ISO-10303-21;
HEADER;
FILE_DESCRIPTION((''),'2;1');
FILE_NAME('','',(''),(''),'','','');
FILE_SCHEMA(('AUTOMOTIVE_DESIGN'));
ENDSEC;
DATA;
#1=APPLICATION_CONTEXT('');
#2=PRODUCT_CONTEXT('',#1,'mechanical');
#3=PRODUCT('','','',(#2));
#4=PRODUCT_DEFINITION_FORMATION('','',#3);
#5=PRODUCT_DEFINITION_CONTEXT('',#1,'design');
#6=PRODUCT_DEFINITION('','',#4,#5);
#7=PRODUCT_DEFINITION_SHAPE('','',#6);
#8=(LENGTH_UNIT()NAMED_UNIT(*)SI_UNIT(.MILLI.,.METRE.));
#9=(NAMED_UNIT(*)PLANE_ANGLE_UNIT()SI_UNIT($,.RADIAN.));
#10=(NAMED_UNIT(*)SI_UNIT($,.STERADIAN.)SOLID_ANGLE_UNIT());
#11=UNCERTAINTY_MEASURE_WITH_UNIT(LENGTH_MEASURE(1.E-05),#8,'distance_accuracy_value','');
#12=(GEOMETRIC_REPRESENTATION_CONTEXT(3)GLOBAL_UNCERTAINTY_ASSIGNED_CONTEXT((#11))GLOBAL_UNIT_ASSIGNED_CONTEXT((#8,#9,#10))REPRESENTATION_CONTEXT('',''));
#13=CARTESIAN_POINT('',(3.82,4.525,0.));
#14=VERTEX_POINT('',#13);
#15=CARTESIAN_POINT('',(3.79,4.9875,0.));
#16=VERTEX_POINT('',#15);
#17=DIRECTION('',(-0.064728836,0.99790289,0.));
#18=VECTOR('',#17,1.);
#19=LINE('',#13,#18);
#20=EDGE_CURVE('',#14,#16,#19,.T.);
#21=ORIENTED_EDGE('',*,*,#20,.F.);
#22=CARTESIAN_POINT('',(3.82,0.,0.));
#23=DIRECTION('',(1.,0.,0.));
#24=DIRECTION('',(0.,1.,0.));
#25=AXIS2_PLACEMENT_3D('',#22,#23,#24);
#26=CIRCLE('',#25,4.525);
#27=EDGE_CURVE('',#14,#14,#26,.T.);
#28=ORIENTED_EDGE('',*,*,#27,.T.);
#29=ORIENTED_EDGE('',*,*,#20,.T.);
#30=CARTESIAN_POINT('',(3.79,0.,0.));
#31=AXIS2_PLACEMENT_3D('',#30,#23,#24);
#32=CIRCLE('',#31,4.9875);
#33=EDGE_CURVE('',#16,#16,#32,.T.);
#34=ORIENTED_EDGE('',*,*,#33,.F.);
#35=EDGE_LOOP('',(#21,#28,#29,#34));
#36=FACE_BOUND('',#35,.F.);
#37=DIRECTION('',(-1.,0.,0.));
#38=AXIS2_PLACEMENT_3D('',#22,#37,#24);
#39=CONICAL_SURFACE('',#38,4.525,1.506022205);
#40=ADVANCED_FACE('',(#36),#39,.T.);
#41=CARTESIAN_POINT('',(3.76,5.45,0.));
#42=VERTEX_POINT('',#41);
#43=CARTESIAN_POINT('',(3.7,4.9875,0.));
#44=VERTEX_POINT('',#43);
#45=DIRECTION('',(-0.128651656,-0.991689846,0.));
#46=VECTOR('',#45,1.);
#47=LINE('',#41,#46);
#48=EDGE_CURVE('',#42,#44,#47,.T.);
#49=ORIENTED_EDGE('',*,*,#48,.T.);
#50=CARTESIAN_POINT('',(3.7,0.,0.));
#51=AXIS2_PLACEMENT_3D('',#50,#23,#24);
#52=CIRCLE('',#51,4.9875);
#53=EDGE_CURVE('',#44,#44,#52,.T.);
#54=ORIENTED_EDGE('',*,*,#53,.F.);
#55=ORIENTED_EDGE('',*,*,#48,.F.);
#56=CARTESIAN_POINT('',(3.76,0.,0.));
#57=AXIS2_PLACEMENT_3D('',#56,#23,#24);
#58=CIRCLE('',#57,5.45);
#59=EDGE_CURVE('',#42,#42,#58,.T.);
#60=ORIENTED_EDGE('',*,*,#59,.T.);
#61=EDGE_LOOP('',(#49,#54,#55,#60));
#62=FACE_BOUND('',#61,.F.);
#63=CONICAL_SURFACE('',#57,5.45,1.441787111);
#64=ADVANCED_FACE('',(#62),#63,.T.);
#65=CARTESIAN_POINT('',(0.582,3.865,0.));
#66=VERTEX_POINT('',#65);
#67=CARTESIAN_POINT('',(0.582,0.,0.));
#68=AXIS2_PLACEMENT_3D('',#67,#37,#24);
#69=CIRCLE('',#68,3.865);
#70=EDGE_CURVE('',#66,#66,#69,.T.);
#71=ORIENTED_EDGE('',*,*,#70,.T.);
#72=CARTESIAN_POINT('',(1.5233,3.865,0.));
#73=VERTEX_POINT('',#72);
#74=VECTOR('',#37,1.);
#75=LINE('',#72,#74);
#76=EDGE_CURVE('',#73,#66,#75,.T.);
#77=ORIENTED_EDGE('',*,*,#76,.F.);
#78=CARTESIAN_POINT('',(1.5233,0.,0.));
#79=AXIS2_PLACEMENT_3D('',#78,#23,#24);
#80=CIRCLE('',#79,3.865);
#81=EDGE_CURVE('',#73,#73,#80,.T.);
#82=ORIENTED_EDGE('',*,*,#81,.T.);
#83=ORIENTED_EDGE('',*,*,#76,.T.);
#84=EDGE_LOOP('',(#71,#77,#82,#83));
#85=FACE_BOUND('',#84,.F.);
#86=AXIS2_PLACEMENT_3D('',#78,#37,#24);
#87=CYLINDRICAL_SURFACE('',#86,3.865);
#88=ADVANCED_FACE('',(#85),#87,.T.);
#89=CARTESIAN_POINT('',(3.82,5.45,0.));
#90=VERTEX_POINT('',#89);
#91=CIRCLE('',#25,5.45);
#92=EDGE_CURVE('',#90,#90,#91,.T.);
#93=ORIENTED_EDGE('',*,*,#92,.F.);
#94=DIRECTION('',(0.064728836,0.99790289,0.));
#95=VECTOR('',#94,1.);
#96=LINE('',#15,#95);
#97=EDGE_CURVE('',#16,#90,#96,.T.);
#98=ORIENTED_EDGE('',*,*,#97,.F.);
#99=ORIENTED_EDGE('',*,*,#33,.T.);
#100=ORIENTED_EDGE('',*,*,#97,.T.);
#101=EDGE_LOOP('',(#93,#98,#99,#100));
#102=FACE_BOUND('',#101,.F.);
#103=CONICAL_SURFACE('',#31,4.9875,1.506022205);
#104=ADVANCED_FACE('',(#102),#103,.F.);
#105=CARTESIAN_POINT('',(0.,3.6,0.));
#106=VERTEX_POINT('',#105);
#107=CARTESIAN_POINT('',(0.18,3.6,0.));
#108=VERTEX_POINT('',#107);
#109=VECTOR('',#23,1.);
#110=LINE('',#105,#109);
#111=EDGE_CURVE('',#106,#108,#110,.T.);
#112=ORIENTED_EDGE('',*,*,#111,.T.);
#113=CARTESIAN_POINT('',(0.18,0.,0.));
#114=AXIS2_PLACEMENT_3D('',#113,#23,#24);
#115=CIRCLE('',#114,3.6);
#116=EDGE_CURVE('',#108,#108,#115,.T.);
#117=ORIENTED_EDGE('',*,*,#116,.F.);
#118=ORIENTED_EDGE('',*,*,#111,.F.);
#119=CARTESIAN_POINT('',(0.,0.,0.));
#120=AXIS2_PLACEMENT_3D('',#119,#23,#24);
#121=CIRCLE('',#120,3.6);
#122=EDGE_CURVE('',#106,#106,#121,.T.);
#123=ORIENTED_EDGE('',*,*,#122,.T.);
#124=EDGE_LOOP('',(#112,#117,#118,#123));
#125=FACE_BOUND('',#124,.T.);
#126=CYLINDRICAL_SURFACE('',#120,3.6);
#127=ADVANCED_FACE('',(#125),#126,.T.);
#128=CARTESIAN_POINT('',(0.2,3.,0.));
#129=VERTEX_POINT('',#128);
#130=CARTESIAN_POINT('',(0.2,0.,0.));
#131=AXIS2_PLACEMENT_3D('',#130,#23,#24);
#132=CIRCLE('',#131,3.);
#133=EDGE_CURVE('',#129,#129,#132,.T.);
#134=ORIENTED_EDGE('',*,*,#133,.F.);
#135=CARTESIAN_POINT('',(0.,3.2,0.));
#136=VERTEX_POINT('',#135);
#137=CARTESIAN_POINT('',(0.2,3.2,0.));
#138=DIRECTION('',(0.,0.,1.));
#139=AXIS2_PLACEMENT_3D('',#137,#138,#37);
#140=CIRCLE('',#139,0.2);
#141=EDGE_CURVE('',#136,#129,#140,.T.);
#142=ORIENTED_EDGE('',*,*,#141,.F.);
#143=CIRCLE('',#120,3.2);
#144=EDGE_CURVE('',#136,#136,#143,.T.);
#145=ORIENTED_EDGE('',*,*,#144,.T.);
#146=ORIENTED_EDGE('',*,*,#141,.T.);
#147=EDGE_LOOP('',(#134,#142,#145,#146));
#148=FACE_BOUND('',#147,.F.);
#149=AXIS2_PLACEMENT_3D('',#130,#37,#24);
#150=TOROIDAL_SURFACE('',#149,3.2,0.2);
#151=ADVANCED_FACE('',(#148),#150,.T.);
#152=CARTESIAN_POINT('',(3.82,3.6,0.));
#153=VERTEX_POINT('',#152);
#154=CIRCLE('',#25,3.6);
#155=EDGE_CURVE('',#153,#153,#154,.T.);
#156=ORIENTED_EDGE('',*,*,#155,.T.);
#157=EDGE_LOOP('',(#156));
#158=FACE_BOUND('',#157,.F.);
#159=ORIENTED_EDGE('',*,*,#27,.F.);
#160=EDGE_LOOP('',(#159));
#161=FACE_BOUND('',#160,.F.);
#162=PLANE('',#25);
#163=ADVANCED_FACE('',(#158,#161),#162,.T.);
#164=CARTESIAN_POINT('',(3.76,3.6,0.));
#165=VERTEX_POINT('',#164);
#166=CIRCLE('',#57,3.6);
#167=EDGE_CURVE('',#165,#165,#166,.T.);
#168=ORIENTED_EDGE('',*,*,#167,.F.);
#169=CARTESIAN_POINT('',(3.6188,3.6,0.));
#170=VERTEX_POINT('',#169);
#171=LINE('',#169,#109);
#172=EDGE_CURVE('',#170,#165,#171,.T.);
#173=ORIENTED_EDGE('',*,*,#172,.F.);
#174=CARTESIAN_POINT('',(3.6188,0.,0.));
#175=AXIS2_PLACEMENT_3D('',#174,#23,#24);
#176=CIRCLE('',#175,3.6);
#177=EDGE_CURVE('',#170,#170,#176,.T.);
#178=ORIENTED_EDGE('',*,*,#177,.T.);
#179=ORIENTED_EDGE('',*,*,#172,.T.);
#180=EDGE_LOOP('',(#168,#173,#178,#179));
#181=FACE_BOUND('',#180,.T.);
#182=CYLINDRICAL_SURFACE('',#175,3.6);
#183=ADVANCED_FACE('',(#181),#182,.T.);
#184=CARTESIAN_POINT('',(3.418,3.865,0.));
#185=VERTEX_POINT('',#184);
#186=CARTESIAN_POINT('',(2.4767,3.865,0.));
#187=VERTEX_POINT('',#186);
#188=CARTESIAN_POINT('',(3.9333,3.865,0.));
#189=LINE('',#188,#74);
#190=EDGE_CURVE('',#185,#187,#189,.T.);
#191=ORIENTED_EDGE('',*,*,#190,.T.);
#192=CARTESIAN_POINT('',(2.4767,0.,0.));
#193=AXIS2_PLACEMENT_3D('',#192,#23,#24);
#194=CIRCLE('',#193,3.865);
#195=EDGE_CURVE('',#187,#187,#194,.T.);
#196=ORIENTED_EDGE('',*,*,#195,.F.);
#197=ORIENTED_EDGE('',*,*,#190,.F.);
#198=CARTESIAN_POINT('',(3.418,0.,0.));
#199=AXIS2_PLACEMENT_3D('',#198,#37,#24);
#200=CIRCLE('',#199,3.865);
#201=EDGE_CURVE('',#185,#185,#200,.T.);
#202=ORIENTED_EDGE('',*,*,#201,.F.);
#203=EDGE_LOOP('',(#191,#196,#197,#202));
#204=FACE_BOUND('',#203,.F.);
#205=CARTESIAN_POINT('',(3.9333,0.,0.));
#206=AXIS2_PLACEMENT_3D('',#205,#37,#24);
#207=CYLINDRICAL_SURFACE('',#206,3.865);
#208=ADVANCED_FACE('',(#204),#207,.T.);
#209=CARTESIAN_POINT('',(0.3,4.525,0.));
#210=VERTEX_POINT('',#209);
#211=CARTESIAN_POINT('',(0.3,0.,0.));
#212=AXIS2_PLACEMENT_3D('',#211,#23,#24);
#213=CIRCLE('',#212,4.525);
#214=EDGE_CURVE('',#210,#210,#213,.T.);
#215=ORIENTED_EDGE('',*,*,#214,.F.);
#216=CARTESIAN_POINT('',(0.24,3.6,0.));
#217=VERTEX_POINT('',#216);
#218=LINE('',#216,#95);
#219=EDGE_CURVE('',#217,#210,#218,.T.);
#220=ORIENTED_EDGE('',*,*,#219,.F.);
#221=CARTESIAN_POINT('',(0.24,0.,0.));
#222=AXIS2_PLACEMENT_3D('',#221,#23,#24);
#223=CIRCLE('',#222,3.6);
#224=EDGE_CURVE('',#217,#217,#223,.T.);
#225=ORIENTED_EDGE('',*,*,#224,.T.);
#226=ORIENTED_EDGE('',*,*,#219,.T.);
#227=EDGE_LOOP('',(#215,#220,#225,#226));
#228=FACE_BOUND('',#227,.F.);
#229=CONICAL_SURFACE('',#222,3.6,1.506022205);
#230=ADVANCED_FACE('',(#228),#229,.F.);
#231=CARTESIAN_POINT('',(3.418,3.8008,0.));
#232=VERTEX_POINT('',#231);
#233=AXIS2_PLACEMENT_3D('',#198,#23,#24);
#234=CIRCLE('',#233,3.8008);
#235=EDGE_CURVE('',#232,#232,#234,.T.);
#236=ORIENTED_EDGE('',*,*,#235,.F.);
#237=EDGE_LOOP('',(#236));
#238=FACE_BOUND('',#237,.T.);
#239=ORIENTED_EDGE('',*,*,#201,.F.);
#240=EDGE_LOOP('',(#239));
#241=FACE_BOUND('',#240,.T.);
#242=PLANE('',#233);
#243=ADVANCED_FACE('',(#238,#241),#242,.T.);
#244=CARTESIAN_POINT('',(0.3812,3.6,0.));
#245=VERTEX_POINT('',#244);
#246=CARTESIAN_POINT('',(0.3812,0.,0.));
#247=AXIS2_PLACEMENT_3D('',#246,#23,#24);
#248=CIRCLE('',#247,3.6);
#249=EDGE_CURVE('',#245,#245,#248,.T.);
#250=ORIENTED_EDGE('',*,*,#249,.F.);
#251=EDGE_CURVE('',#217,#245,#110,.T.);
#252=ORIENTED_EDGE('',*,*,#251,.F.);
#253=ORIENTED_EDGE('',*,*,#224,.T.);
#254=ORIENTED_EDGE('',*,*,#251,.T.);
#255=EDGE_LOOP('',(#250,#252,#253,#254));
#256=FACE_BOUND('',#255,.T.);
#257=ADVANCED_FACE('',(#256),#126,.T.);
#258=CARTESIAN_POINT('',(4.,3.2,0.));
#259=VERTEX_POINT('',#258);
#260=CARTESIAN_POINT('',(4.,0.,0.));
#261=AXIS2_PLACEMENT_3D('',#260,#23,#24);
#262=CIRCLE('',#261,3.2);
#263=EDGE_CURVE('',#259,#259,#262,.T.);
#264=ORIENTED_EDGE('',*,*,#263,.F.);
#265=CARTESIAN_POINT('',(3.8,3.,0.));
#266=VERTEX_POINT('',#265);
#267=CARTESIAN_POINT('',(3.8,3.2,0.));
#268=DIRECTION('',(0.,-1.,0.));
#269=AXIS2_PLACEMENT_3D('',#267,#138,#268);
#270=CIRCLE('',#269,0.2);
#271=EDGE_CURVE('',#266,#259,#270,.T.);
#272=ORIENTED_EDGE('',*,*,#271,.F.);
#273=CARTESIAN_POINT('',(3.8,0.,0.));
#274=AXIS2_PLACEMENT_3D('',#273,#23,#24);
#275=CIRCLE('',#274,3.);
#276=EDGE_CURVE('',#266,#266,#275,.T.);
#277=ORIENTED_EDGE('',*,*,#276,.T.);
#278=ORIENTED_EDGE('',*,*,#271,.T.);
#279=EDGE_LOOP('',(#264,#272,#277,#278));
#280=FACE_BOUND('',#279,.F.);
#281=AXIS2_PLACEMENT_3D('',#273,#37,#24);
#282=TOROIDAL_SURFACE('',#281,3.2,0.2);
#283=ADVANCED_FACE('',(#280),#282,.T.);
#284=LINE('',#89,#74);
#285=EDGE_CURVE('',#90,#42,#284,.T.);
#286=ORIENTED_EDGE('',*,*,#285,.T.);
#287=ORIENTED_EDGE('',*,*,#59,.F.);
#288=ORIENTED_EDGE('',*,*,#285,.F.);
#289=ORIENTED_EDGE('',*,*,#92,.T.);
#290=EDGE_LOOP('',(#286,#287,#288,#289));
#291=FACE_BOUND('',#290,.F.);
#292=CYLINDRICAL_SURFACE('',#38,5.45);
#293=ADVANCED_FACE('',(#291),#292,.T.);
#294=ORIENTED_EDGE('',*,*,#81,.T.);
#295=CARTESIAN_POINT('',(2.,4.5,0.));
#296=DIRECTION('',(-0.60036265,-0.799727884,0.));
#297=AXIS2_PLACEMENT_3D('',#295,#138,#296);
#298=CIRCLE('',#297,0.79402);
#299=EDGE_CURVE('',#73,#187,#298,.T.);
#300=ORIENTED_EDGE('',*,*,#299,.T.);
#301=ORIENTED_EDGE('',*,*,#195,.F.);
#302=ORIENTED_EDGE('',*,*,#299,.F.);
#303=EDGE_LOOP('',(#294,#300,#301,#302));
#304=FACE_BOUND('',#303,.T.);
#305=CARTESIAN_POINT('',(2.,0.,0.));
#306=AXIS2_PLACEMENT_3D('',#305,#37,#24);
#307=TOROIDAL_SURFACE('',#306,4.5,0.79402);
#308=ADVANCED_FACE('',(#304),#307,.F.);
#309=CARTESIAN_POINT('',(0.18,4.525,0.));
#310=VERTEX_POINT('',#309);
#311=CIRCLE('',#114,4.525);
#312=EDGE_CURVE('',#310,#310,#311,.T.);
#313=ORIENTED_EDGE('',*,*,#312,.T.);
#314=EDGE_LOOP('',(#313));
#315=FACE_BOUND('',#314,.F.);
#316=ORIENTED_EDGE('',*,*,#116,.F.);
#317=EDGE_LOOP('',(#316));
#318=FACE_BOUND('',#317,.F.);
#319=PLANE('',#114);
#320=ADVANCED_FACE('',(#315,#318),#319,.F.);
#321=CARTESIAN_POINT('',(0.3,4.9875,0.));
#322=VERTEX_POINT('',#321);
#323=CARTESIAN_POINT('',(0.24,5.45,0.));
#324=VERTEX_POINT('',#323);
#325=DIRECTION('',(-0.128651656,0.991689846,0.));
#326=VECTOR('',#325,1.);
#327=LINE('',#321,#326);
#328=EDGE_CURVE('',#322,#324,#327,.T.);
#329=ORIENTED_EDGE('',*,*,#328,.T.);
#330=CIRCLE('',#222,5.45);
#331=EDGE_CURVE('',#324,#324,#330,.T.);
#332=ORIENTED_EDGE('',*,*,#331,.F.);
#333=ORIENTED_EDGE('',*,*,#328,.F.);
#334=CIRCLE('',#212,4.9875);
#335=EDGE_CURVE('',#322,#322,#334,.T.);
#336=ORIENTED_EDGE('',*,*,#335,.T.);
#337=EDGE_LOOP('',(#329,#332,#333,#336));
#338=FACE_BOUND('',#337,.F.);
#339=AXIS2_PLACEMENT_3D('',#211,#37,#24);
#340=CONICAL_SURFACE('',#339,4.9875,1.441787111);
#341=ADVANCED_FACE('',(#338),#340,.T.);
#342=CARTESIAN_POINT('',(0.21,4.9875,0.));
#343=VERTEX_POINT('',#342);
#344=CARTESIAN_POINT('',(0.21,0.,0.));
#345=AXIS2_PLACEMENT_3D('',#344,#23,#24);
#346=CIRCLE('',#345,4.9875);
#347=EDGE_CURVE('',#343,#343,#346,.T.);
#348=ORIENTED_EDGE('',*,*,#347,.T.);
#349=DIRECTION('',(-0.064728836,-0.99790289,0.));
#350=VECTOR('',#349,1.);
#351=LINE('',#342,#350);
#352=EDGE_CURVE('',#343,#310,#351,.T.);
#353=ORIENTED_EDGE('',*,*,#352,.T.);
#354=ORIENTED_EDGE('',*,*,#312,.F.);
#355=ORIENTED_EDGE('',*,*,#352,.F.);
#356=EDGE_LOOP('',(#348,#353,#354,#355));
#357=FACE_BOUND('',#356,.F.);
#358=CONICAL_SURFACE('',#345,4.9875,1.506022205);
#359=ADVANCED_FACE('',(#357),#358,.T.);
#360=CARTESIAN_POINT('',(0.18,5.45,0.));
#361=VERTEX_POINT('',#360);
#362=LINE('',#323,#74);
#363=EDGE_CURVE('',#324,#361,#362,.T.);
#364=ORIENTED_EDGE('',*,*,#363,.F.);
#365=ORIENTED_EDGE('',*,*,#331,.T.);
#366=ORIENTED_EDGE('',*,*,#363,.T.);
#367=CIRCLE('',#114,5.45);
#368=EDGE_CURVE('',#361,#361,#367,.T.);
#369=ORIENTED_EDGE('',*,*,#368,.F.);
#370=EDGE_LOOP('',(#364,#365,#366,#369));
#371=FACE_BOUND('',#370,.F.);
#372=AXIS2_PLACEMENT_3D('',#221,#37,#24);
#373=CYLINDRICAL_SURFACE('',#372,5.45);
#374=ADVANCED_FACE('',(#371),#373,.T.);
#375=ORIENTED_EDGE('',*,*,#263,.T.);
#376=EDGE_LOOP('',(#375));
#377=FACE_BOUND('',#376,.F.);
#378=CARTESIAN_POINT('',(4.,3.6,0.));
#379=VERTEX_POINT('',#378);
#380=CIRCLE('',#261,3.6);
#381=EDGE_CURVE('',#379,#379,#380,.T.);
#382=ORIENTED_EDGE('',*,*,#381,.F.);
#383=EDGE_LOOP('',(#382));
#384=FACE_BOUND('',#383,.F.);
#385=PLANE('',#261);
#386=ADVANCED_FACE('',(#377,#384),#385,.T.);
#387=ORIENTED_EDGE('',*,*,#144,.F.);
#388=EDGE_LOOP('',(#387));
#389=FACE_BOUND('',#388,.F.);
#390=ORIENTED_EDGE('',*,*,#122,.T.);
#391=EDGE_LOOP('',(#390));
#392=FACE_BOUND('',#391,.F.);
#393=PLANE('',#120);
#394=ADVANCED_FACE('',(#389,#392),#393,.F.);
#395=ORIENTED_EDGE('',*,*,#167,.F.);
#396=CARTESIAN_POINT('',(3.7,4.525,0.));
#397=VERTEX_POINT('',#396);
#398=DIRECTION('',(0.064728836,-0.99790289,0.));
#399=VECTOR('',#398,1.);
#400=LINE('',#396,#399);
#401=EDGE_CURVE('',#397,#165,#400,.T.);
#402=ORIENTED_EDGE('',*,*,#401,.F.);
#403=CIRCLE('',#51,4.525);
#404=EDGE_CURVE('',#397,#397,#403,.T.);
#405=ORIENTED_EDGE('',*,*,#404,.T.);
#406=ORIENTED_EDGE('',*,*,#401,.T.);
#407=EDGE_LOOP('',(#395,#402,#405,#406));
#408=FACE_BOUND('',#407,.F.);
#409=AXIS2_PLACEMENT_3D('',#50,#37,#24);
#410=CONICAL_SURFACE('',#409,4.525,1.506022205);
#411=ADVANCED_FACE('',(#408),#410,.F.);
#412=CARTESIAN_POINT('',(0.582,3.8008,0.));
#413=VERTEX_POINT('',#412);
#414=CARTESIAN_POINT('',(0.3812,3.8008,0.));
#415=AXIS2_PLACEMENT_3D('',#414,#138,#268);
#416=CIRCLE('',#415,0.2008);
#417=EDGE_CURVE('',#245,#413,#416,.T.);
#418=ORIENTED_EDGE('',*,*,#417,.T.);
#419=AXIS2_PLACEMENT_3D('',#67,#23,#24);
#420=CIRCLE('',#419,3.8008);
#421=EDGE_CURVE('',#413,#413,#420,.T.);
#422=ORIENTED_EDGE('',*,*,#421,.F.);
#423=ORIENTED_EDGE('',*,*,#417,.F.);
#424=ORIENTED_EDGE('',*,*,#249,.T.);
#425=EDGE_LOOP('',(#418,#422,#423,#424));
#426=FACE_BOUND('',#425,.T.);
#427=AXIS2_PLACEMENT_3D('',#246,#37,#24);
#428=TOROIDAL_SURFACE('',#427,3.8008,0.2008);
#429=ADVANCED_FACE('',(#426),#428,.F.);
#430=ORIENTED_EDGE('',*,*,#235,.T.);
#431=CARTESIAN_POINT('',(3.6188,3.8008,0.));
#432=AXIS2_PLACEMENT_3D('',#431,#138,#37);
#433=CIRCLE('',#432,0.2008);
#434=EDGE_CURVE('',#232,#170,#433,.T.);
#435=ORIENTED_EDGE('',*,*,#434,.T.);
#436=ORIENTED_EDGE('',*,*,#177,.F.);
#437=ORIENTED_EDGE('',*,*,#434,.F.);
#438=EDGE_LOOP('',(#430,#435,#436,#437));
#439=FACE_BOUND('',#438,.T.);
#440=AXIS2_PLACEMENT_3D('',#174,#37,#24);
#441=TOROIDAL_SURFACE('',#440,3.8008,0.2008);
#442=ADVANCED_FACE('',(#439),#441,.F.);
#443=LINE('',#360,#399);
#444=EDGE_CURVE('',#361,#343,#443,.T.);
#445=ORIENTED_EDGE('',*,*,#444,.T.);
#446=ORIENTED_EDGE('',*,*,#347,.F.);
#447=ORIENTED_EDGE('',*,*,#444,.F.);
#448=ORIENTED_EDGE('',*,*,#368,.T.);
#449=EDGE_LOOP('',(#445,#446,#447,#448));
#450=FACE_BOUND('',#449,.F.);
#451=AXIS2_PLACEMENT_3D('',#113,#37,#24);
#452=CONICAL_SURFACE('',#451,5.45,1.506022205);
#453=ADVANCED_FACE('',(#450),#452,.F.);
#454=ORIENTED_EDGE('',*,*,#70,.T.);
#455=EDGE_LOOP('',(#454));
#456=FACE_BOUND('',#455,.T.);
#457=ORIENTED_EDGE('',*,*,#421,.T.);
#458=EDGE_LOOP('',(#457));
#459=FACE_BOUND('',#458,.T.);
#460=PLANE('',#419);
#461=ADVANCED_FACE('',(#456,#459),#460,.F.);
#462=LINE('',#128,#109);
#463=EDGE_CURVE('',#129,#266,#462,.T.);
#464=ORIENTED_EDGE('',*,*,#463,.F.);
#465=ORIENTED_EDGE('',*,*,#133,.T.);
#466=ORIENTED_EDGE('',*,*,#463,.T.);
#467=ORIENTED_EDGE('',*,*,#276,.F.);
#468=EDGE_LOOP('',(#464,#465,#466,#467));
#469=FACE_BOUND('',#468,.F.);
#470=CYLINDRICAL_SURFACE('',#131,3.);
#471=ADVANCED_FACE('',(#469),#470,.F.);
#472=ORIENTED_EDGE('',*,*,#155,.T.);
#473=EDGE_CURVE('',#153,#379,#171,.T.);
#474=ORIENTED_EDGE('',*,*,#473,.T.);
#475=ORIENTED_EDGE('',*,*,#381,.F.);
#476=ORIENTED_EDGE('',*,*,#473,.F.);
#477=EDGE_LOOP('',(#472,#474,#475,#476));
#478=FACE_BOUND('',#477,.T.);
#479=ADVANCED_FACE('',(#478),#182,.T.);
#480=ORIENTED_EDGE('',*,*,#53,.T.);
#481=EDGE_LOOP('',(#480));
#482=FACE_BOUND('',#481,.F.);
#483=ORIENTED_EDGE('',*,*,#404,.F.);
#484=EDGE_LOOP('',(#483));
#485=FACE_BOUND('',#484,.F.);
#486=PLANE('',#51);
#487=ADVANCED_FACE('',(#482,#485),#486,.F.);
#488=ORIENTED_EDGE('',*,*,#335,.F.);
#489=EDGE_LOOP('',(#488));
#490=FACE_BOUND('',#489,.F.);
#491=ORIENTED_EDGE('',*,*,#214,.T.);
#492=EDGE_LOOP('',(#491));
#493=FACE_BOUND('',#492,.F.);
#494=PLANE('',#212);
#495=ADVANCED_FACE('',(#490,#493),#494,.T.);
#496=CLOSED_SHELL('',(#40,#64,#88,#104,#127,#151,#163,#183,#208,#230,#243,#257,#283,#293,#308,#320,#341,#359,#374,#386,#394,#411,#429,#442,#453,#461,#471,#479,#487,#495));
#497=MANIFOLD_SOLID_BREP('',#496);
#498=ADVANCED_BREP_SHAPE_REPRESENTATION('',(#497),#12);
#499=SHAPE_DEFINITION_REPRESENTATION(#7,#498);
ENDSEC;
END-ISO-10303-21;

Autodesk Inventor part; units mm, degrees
ref_plane "YZ Plane" through (0, 0, 0) normal (1, 0, 0) x (0, 1, 0)
ref_plane "XZ Plane" through (0, 0, 0) normal (0, 1, 0) x (-1, 0, 0)
ref_plane "XY Plane" through (0, 0, 0) normal (0, 0, 1) x (1, 0, 0)
sketch "Sketch_58" plane through (0, 0, 0) normal (0, 0, 1) x (1, 0, 0)
  line L0 (50, 0) -> (-50, 0)
  line L1 (0, 3.7983) -> (0, 3.2)
  arc A0 (0, 3.2) -> (0.2, 3) centre (0.2, 3.2) ccw
  line L2 (0.2, 3) -> (3.8, 3)
  arc A1 (3.8, 3) -> (4, 3.2) centre (3.8, 3.2) ccw
  line L3 (4, 3.2) -> (4, 3.7983)
  arc A2 (4, 3.7983) -> (3.9333, 3.865) centre (3.9333, 3.7983) ccw
  line L4 (3.9333, 3.865) -> (2.4767, 3.865)
  arc A3 (1.5233, 3.865) -> (2.4767, 3.865) centre (2, 4.5) ccw
  line L5 (1.5233, 3.865) -> (0.0667, 3.865)
  arc A4 (0.0667, 3.865) -> (0, 3.7983) centre (0.0667, 3.7983) ccw
revolve "Revolution1" add sketch "Sketch_58" angle 360 about axis through (50, 0, 0) along (1, 0, 0)
sketch "Sketch_59" plane through (0, 0, 0) normal (0, 0, 1) x (1, 0, 0)
  line L0 (50, 0) -> (-50, 0)
  line L1 (0, 5.85) -> (0, 3.6)
  line L2 (0, 3.6) -> (0.3812, 3.6)
  arc A0 (0.3812, 3.6) -> (0.582, 3.8008) centre (0.3812, 3.8008) ccw
  line L3 (0.582, 3.8008) -> (0.582, 5.368)
  line L4 (0.582, 5.368) -> (3.418, 5.368)
  line L5 (3.418, 5.368) -> (3.418, 3.8008)
  arc A1 (3.418, 3.8008) -> (3.6188, 3.6) centre (3.6188, 3.8008) ccw
  line L6 (3.6188, 3.6) -> (4, 3.6)
  line L7 (4, 3.6) -> (4, 5.85)
  line L8 (4, 5.85) -> (0, 5.85)
revolve "Revolution2" cut sketch "Sketch_59" angle 360 about axis through (50, 0, 0) along (1, 0, 0)
sketch "Sketch_60" plane through (0, 0, 0) normal (0, 0, 1) x (1, 0, 0)
  line L0 (2, 0) -> (-2, 0)
  line L1 (0.18, 5.45) -> (0.21, 4.9875)
  line L2 (0.21, 4.9875) -> (0.18, 4.525)
  line L3 (0.18, 4.525) -> (0.18, 3.6)
  line L4 (0.18, 3.6) -> (0.24, 3.6)
  line L5 (0.24, 3.6) -> (0.3, 4.525)
  line L6 (0.3, 4.525) -> (0.3, 4.9875)
  line L7 (0.3, 4.9875) -> (0.24, 5.45)
  line L8 (0.24, 5.45) -> (0.18, 5.45)
revolve "Revolution3" add sketch "Sketch_60" angle 360 about axis through (2, 0, 0) along (1, 0, 0)
sketch "Sketch_61" plane through (0, 0, 0) normal (0, 0, 1) x (1, 0, 0)
  line L0 (2, 0) -> (-2, 0)
  line L1 (3.7, 4.525) -> (3.76, 3.6)
  line L2 (3.76, 3.6) -> (3.82, 3.6)
  line L3 (3.82, 3.6) -> (3.82, 4.525)
  line L4 (3.82, 4.525) -> (3.79, 4.9875)
  line L5 (3.79, 4.9875) -> (3.82, 5.45)
  line L6 (3.82, 5.45) -> (3.76, 5.45)
  line L7 (3.76, 5.45) -> (3.7, 4.9875)
  line L8 (3.7, 4.9875) -> (3.7, 4.525)
revolve "Revolution4" add sketch "Sketch_61" angle 360 about axis through (2, 0, 0) along (1, 0, 0)
properties part number "SKF_WBB1-8706-2RS1_PART1"
